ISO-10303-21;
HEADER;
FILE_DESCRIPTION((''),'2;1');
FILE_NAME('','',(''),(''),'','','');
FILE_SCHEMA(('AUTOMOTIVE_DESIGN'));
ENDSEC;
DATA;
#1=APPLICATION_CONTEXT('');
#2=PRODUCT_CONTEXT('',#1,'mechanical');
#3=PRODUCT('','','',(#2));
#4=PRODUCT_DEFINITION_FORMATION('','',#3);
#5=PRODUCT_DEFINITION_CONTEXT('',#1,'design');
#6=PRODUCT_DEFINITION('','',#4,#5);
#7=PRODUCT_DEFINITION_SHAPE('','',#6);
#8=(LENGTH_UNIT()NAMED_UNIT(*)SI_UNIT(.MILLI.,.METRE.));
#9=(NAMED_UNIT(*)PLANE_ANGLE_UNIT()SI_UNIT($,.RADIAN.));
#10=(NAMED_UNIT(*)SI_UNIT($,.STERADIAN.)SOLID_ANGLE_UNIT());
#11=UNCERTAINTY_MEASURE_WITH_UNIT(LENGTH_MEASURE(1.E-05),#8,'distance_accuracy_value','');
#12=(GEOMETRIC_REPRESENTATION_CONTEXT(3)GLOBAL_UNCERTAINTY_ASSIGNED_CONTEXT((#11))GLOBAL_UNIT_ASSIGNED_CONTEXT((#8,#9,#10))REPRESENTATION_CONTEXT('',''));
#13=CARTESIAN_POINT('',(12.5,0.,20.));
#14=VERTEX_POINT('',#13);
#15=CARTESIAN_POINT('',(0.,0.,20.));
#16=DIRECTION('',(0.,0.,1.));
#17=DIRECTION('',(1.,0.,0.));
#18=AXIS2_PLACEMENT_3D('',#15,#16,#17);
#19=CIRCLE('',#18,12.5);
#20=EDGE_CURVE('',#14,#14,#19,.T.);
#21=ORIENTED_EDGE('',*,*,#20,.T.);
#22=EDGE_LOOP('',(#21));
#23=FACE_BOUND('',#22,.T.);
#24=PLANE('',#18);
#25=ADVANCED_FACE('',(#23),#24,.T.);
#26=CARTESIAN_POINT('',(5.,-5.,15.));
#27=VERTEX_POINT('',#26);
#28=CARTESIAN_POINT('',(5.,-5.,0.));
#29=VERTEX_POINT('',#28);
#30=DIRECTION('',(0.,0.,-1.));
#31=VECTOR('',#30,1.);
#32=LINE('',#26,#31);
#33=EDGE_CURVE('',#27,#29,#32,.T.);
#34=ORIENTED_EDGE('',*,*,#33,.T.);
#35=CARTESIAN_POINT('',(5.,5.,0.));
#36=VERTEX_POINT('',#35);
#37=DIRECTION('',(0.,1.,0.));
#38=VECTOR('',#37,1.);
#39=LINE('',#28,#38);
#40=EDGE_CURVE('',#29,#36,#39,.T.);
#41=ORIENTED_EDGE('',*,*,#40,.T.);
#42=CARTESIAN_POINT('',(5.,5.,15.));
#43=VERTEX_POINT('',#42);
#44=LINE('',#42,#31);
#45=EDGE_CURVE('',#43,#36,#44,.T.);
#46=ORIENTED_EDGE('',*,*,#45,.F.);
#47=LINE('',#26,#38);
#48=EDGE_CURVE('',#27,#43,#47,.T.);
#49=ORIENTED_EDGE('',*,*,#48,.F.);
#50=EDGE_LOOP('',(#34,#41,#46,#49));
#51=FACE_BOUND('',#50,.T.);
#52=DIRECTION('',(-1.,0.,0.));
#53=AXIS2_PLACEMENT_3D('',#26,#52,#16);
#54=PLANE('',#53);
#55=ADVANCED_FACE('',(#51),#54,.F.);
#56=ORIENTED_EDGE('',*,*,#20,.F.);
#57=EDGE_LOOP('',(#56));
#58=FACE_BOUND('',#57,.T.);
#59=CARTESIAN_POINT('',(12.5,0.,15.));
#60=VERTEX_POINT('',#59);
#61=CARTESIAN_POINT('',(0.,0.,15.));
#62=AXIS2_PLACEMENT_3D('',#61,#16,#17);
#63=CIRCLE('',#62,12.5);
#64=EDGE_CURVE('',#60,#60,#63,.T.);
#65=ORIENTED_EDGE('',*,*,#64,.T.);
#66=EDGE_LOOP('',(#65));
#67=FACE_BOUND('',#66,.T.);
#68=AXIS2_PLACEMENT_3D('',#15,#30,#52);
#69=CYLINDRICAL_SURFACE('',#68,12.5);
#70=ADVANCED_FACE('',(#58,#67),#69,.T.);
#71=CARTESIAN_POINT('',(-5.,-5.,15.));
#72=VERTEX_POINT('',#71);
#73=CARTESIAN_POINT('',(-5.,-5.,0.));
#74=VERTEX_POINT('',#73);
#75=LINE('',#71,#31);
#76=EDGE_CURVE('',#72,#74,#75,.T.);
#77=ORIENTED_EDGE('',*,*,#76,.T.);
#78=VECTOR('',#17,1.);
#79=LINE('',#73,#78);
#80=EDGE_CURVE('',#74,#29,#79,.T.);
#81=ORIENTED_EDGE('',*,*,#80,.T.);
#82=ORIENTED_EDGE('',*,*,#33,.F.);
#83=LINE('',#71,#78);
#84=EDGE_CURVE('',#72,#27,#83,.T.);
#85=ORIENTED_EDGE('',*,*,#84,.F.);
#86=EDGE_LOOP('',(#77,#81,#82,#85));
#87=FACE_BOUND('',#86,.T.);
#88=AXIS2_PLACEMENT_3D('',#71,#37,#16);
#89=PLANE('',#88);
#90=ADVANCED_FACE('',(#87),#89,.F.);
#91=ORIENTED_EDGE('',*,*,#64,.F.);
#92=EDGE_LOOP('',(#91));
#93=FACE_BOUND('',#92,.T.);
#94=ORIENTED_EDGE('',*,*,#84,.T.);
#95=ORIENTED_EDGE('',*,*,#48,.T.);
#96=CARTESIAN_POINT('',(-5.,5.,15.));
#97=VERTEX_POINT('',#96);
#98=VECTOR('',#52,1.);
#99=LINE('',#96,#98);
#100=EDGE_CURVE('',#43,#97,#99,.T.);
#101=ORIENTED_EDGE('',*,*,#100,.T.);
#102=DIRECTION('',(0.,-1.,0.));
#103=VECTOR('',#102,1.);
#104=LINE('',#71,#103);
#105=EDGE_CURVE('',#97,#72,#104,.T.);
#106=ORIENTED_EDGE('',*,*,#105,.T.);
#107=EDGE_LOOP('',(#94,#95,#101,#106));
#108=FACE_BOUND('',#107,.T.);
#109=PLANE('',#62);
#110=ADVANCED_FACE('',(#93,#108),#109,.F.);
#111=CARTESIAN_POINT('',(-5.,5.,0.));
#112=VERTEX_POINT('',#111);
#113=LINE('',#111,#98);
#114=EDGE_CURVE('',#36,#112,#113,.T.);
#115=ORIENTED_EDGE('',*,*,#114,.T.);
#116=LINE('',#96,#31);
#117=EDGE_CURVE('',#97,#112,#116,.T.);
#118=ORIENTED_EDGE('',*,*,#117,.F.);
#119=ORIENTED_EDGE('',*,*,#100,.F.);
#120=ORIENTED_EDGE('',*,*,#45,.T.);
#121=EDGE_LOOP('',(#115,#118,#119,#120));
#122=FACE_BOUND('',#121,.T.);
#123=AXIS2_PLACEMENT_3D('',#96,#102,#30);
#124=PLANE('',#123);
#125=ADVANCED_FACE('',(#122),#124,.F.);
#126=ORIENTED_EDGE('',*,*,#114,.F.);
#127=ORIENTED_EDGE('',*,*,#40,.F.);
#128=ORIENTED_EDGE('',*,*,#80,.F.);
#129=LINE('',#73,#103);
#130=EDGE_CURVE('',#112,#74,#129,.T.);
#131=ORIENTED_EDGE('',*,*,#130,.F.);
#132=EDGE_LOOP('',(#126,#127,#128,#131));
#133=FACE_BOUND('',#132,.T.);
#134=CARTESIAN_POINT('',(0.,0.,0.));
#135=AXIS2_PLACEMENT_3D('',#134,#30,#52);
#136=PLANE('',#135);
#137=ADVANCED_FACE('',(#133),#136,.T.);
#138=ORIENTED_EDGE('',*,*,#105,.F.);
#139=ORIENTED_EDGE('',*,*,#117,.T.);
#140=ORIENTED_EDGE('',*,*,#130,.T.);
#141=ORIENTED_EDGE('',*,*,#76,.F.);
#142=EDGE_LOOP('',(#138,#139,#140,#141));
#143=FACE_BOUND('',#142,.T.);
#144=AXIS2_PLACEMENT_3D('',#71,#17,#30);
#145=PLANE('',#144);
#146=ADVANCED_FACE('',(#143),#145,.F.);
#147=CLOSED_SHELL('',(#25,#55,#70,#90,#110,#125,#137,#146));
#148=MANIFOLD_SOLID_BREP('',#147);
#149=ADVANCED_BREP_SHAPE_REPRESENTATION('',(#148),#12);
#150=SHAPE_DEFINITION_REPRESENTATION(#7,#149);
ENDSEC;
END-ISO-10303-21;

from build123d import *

# Parameters (mm, degrees)
CROQUIS1_W              = 10
CROQUIS1_H              = 10
SALIENTE_EXTRUIR1_DEPTH = 15
CROQUIS2_R              = 12.5
SALIENTE_EXTRUIR2_DEPTH = 5


with BuildPart() as part:
    # Croquis1 → Saliente-Extruir1 (new body)
    with BuildSketch(Plane.XY):
        Rectangle(CROQUIS1_W, CROQUIS1_H)
    extrude(amount=SALIENTE_EXTRUIR1_DEPTH)

    # Croquis2 → Saliente-Extruir2 (add)
    with BuildSketch(Plane.XY.offset(15)):
        Circle(CROQUIS2_R)
    extrude(amount=SALIENTE_EXTRUIR2_DEPTH)


solid = part.part
